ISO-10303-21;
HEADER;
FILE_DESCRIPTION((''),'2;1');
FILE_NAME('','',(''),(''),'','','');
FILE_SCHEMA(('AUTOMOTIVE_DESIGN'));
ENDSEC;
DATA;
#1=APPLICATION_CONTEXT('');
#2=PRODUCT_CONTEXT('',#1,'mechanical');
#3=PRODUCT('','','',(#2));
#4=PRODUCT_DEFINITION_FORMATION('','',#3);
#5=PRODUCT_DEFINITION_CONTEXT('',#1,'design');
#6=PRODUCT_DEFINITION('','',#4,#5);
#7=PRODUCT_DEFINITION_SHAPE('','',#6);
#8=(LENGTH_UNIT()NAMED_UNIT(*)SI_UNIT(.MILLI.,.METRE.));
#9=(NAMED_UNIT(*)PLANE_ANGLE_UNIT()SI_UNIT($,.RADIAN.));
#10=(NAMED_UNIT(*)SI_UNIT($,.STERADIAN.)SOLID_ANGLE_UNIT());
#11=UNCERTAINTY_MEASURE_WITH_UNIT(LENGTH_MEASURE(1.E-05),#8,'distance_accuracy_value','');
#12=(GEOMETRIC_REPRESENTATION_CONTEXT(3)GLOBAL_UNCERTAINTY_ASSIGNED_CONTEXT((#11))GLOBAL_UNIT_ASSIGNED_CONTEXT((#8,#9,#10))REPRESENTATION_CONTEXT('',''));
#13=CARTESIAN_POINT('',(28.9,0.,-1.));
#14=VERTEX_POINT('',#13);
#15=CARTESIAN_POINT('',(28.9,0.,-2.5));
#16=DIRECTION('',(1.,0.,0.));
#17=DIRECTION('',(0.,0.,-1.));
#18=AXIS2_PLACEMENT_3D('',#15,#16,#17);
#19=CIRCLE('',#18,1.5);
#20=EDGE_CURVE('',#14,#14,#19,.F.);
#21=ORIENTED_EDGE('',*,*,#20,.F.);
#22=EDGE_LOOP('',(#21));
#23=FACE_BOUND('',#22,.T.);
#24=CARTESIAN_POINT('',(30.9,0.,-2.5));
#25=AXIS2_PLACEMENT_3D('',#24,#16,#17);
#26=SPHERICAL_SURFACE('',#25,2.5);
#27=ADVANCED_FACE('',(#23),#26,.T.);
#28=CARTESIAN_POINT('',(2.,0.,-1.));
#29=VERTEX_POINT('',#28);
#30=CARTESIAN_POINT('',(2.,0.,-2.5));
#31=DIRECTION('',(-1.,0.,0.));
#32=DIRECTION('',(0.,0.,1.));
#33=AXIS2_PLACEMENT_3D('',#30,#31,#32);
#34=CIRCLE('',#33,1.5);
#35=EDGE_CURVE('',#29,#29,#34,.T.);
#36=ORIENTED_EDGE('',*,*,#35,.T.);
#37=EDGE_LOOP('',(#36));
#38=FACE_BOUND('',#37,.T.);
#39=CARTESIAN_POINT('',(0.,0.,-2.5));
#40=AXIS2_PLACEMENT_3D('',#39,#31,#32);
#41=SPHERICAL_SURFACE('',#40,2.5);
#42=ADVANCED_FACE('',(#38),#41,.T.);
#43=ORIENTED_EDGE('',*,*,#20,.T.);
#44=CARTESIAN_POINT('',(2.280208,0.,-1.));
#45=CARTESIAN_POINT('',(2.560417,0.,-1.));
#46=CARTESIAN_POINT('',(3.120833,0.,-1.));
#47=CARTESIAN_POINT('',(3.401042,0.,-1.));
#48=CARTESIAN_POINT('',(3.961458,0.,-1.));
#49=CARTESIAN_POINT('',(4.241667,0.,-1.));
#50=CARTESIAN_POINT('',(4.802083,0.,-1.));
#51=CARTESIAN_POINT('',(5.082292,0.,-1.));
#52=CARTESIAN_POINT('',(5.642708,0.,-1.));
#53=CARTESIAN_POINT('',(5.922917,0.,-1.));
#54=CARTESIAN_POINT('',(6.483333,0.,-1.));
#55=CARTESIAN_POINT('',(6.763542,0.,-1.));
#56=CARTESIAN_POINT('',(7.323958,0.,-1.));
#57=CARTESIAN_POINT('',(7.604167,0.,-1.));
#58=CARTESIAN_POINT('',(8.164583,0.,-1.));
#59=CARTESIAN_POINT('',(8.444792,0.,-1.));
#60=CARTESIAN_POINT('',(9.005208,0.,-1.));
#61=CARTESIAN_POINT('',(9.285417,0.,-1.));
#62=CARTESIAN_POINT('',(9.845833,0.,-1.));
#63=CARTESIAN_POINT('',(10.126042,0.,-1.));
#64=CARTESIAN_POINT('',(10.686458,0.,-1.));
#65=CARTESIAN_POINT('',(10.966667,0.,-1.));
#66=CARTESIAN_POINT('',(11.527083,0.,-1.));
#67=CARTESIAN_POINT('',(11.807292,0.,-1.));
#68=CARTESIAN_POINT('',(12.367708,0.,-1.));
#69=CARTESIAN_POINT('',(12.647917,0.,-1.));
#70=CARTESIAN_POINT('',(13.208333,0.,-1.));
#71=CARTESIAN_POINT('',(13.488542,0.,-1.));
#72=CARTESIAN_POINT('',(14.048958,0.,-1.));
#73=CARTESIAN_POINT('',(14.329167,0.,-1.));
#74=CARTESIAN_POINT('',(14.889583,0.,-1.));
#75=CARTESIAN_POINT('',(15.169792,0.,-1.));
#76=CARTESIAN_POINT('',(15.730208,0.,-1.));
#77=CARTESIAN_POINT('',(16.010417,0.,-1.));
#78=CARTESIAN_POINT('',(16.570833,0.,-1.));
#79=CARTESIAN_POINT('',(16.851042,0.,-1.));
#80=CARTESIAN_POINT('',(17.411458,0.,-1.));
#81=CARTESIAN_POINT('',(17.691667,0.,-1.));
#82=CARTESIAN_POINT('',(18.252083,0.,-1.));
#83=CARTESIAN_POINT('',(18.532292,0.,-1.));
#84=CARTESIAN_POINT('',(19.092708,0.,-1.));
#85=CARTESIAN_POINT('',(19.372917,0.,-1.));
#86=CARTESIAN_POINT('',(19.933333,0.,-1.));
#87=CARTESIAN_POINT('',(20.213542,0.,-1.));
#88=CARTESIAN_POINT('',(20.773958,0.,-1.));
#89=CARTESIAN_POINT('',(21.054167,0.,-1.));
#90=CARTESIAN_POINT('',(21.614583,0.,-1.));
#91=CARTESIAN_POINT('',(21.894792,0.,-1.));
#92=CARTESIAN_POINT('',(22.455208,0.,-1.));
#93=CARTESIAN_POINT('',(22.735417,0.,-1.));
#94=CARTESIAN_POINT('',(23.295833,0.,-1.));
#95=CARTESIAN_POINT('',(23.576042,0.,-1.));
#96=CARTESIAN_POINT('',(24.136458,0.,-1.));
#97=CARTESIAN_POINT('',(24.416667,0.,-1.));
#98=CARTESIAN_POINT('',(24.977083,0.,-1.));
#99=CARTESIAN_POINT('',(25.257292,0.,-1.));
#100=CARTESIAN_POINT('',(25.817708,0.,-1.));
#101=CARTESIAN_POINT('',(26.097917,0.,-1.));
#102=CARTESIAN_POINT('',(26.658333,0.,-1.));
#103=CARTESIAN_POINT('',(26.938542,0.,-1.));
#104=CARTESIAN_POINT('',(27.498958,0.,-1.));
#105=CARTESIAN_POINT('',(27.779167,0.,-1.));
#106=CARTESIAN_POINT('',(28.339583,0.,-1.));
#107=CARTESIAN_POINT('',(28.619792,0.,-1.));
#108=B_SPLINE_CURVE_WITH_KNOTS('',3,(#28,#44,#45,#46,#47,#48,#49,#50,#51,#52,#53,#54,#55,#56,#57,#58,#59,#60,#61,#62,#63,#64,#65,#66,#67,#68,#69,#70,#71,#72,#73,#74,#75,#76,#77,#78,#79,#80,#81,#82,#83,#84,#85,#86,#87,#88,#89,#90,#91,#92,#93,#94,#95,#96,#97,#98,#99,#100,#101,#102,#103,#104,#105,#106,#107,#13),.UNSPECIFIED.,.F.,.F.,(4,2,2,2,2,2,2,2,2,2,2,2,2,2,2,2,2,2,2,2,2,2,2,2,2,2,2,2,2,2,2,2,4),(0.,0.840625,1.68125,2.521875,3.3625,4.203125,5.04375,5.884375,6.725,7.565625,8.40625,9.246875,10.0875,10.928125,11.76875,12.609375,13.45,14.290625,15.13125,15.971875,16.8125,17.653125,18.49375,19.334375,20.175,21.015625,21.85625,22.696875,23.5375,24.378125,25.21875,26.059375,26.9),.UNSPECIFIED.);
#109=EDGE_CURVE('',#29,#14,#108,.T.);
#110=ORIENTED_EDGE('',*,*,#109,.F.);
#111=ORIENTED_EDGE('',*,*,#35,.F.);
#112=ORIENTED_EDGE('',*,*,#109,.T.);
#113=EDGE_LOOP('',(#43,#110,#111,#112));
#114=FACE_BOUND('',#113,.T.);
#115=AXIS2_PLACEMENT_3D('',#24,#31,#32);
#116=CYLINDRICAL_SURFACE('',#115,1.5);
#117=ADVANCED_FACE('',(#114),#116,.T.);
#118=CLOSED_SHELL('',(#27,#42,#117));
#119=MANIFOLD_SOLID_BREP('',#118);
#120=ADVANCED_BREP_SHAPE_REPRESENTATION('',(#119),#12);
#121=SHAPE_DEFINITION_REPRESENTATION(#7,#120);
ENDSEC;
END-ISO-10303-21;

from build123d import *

# Parameters (mm, degrees)
SKETCH5_R   = 1.5
SHAFT_DEPTH = 30.9


with BuildPart() as part:
    # Sketch4 → Semi-circle Revolve (revolve)
    with BuildSketch(Plane(origin=(0, 0, 0), x_dir=(0, 0, -1), z_dir=(1, 0, 0))):
        with BuildLine():
            Line((0, 0), (2.5, 0))
            Line((2.5, 0), (2.5, -2.5))
            ThreePointArc((2.5, -2.5), (0.732233047, -1.767766953), (0, 0))
        make_face()
    semi_circle_revolve = revolve(axis=Axis((0, 0, -2.5), (0, -1, 0)))

    # Full-circle Mirror: Semi-circle Revolve across plane
    add(semi_circle_revolve.mirror(Plane(origin=(0, 0, 0), x_dir=(0, 0, 1), z_dir=(0, -1, 0))))

    # Sketch5 → Shaft (add)
    with BuildSketch(Plane(origin=(0, 0, 0), x_dir=(0, 0, -1), z_dir=(1, 0, 0))):
        with Locations(Location((2.5, 0, 0), (0, 0, 180))):
            Circle(SKETCH5_R)
    extrude(amount=SHAFT_DEPTH)

    # Sketch6 → Opposite Semi-circle Revolve (revolve)
    with BuildSketch(Plane(origin=(30.9, 0, 0), x_dir=(0, 0, -1), z_dir=(1, 0, 0))):
        with BuildLine():
            Line((0, 0), (2.5, 0))
            Line((2.5, 0), (2.5, -2.5))
            ThreePointArc((2.5, -2.5), (0.732233047, -1.767766953), (0, 0))
        make_face()
    opposite_semi_circle_revolve = revolve(axis=Axis((30.9, 0, -2.5), (0, -1, 0)))

    # Opposite Full-circle Mirror: Opposite Semi-circle Revolve across plane
    add(opposite_semi_circle_revolve.mirror(Plane(origin=(30.9, 0, 0), x_dir=(0, 0, 1), z_dir=(0, 1, 0))))


solid = part.part
